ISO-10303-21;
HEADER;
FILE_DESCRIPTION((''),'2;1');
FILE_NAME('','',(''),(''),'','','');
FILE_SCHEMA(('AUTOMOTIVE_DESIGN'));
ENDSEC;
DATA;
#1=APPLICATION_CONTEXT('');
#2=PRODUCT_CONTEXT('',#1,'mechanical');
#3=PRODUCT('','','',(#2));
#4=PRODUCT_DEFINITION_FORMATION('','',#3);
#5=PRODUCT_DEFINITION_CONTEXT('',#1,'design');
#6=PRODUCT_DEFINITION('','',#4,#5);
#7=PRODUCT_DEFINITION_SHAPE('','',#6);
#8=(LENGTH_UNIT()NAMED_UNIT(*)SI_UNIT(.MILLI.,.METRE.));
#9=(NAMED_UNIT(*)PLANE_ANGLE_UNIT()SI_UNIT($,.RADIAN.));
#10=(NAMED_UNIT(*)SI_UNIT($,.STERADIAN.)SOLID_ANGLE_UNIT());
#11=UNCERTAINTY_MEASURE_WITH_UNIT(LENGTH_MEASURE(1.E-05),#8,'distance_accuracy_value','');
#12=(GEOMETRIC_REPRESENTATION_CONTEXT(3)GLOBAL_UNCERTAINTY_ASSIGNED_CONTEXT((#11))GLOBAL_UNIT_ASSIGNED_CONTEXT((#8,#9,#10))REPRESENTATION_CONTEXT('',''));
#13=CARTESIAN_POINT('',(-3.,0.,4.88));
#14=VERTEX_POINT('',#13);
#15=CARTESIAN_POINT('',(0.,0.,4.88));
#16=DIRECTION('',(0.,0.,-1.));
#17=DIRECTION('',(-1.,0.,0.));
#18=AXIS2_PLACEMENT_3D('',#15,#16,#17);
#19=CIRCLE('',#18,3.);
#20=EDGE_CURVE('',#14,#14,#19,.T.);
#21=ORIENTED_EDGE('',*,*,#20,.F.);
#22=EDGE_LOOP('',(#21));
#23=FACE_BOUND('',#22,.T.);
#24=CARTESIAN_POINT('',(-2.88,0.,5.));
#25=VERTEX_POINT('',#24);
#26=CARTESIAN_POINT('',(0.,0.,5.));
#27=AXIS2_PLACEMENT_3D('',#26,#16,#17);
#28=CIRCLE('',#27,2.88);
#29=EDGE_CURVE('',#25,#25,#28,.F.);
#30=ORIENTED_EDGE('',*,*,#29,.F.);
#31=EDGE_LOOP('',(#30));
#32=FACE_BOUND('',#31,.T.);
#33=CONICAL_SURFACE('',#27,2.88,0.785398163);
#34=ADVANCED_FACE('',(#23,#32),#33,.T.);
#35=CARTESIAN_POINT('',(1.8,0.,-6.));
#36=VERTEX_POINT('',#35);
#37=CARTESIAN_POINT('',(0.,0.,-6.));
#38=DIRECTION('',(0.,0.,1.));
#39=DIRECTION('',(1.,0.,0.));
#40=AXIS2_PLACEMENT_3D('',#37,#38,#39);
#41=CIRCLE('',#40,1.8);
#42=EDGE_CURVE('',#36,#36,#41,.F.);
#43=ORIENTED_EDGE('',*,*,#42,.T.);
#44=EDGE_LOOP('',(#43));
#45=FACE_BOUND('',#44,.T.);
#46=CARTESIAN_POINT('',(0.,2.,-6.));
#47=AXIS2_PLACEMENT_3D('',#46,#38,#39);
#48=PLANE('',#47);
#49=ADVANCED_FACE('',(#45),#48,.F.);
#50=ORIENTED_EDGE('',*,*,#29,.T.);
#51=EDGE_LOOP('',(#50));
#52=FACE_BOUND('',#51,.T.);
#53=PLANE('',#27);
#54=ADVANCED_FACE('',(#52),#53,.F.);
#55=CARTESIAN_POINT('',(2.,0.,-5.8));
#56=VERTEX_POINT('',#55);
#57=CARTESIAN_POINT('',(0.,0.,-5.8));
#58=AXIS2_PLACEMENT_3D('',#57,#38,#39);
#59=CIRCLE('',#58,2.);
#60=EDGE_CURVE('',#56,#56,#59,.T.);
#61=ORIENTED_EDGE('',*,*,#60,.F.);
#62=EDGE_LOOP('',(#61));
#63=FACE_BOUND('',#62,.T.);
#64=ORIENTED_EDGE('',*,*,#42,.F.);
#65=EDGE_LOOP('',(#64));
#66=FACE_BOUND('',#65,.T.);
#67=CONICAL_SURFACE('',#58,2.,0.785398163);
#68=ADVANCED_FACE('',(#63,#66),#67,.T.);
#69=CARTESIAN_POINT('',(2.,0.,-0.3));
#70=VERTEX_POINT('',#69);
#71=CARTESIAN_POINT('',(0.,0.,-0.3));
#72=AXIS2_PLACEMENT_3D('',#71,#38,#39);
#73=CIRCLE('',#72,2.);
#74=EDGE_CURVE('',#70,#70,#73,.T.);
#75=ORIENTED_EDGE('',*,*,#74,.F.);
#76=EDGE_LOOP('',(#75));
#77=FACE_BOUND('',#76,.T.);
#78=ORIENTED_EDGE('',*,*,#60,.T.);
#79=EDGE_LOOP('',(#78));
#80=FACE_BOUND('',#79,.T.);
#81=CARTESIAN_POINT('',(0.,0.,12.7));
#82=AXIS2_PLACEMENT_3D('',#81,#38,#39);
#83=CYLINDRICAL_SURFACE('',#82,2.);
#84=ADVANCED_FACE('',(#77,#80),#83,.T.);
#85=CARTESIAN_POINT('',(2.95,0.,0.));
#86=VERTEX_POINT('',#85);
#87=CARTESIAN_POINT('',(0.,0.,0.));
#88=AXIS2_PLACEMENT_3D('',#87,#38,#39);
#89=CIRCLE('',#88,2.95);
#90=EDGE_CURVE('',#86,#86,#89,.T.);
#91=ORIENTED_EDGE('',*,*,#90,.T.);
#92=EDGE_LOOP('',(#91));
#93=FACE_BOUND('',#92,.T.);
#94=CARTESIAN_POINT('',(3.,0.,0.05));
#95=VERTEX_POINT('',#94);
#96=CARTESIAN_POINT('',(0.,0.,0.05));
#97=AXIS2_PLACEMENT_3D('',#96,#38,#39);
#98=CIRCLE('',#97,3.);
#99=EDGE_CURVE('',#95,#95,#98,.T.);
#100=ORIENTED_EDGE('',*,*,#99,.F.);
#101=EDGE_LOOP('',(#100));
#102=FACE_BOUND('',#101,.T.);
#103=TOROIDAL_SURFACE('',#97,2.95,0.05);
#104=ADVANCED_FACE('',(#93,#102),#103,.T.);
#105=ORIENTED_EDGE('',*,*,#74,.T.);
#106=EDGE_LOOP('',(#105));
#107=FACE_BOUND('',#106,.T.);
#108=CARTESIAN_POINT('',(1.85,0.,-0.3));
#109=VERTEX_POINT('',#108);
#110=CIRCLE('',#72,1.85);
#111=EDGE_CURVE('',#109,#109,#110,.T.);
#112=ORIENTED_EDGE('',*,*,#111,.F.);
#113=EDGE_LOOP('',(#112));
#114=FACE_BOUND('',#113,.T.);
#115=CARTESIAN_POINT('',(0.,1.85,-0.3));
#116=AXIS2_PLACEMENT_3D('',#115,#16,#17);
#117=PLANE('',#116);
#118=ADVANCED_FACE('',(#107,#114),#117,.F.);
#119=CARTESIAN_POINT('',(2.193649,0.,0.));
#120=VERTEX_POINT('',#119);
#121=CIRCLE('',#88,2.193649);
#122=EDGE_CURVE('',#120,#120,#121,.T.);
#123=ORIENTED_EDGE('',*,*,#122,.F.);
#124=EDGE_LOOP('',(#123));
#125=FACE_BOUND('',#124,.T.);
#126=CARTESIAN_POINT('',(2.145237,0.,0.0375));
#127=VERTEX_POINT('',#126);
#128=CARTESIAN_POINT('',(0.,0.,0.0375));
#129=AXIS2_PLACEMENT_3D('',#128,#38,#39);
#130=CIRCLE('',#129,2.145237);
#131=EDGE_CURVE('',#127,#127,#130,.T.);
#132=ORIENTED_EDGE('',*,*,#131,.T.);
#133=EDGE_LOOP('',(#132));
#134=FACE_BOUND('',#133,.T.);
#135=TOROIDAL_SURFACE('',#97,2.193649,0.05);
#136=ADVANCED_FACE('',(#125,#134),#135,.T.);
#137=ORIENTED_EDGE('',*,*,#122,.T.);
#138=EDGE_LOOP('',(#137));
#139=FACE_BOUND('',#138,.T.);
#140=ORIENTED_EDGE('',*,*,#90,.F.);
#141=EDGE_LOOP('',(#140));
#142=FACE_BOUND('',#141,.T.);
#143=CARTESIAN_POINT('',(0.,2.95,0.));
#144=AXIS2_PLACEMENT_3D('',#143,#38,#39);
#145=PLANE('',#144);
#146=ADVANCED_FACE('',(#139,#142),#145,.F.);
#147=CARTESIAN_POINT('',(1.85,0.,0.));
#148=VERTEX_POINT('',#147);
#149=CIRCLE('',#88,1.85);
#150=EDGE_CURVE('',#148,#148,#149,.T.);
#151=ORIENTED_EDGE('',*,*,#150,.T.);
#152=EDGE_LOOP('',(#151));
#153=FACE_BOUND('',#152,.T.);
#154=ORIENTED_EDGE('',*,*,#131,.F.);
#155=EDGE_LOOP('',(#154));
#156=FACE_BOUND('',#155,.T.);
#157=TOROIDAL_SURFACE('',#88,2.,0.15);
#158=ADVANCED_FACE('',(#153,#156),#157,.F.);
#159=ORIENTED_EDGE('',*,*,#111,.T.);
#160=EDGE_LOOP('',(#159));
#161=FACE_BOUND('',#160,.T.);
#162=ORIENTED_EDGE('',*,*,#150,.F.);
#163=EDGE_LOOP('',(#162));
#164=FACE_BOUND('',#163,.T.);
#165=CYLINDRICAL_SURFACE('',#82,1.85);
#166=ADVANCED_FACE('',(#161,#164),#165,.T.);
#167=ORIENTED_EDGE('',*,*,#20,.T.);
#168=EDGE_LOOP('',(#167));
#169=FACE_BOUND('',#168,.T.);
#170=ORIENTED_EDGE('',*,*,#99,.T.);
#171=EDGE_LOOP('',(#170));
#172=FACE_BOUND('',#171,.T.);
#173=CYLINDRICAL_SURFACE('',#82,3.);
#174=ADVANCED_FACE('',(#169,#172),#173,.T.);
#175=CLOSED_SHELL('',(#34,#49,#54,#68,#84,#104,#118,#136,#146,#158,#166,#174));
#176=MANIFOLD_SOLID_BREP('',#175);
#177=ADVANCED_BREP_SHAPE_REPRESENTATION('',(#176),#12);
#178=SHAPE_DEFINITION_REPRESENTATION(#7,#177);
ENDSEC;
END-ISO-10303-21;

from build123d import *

# Parameters (mm, degrees)
CHAMFER1_SIZE = 0.12
CHAMFER2_SIZE = 0.2


with BuildPart() as part:
    # Sketch1 → Revolve1 (revolve)
    with BuildSketch(Plane(origin=(0, 0, 0), x_dir=(0, 0, -1), z_dir=(1, 0, 0))):
        with BuildLine():
            Line((-5, 0), (-5, 3))
            Line((-5, 3), (-0.05, 3))
            ThreePointArc((-0.05, 3), (-0.014644661, 2.985355339), (0, 2.95))
            Line((0, 2.95), (0, 2.193649167))
            ThreePointArc((0, 2.193649167), (-0.010471529, 2.163030546), (-0.0375, 2.145236875))
            ThreePointArc((-0.0375, 2.145236875), (-0.148804454, 1.981099356), (0, 1.85))
            Line((0, 1.85), (0.3, 1.85))
            Line((0.3, 1.85), (0.3, 2))
            Line((0.3, 2), (6, 2))
            Line((6, 2), (6, 0))
            Line((6, 0), (-5, 0))
        make_face()
    revolve(axis=Axis((0, 0, 12.7), (0, 0, -1)))

    # Chamfer1
    chamfer1_edges = [part.edges().sort_by_distance(p)[0] for p in [
        (0, -3, 5),
    ]]
    chamfer(chamfer1_edges, length=CHAMFER1_SIZE)

    # Chamfer2
    chamfer2_edges = [part.edges().sort_by_distance(p)[0] for p in [
        (0, -2, -6),
    ]]
    chamfer(chamfer2_edges, length=CHAMFER2_SIZE)


solid = part.part
